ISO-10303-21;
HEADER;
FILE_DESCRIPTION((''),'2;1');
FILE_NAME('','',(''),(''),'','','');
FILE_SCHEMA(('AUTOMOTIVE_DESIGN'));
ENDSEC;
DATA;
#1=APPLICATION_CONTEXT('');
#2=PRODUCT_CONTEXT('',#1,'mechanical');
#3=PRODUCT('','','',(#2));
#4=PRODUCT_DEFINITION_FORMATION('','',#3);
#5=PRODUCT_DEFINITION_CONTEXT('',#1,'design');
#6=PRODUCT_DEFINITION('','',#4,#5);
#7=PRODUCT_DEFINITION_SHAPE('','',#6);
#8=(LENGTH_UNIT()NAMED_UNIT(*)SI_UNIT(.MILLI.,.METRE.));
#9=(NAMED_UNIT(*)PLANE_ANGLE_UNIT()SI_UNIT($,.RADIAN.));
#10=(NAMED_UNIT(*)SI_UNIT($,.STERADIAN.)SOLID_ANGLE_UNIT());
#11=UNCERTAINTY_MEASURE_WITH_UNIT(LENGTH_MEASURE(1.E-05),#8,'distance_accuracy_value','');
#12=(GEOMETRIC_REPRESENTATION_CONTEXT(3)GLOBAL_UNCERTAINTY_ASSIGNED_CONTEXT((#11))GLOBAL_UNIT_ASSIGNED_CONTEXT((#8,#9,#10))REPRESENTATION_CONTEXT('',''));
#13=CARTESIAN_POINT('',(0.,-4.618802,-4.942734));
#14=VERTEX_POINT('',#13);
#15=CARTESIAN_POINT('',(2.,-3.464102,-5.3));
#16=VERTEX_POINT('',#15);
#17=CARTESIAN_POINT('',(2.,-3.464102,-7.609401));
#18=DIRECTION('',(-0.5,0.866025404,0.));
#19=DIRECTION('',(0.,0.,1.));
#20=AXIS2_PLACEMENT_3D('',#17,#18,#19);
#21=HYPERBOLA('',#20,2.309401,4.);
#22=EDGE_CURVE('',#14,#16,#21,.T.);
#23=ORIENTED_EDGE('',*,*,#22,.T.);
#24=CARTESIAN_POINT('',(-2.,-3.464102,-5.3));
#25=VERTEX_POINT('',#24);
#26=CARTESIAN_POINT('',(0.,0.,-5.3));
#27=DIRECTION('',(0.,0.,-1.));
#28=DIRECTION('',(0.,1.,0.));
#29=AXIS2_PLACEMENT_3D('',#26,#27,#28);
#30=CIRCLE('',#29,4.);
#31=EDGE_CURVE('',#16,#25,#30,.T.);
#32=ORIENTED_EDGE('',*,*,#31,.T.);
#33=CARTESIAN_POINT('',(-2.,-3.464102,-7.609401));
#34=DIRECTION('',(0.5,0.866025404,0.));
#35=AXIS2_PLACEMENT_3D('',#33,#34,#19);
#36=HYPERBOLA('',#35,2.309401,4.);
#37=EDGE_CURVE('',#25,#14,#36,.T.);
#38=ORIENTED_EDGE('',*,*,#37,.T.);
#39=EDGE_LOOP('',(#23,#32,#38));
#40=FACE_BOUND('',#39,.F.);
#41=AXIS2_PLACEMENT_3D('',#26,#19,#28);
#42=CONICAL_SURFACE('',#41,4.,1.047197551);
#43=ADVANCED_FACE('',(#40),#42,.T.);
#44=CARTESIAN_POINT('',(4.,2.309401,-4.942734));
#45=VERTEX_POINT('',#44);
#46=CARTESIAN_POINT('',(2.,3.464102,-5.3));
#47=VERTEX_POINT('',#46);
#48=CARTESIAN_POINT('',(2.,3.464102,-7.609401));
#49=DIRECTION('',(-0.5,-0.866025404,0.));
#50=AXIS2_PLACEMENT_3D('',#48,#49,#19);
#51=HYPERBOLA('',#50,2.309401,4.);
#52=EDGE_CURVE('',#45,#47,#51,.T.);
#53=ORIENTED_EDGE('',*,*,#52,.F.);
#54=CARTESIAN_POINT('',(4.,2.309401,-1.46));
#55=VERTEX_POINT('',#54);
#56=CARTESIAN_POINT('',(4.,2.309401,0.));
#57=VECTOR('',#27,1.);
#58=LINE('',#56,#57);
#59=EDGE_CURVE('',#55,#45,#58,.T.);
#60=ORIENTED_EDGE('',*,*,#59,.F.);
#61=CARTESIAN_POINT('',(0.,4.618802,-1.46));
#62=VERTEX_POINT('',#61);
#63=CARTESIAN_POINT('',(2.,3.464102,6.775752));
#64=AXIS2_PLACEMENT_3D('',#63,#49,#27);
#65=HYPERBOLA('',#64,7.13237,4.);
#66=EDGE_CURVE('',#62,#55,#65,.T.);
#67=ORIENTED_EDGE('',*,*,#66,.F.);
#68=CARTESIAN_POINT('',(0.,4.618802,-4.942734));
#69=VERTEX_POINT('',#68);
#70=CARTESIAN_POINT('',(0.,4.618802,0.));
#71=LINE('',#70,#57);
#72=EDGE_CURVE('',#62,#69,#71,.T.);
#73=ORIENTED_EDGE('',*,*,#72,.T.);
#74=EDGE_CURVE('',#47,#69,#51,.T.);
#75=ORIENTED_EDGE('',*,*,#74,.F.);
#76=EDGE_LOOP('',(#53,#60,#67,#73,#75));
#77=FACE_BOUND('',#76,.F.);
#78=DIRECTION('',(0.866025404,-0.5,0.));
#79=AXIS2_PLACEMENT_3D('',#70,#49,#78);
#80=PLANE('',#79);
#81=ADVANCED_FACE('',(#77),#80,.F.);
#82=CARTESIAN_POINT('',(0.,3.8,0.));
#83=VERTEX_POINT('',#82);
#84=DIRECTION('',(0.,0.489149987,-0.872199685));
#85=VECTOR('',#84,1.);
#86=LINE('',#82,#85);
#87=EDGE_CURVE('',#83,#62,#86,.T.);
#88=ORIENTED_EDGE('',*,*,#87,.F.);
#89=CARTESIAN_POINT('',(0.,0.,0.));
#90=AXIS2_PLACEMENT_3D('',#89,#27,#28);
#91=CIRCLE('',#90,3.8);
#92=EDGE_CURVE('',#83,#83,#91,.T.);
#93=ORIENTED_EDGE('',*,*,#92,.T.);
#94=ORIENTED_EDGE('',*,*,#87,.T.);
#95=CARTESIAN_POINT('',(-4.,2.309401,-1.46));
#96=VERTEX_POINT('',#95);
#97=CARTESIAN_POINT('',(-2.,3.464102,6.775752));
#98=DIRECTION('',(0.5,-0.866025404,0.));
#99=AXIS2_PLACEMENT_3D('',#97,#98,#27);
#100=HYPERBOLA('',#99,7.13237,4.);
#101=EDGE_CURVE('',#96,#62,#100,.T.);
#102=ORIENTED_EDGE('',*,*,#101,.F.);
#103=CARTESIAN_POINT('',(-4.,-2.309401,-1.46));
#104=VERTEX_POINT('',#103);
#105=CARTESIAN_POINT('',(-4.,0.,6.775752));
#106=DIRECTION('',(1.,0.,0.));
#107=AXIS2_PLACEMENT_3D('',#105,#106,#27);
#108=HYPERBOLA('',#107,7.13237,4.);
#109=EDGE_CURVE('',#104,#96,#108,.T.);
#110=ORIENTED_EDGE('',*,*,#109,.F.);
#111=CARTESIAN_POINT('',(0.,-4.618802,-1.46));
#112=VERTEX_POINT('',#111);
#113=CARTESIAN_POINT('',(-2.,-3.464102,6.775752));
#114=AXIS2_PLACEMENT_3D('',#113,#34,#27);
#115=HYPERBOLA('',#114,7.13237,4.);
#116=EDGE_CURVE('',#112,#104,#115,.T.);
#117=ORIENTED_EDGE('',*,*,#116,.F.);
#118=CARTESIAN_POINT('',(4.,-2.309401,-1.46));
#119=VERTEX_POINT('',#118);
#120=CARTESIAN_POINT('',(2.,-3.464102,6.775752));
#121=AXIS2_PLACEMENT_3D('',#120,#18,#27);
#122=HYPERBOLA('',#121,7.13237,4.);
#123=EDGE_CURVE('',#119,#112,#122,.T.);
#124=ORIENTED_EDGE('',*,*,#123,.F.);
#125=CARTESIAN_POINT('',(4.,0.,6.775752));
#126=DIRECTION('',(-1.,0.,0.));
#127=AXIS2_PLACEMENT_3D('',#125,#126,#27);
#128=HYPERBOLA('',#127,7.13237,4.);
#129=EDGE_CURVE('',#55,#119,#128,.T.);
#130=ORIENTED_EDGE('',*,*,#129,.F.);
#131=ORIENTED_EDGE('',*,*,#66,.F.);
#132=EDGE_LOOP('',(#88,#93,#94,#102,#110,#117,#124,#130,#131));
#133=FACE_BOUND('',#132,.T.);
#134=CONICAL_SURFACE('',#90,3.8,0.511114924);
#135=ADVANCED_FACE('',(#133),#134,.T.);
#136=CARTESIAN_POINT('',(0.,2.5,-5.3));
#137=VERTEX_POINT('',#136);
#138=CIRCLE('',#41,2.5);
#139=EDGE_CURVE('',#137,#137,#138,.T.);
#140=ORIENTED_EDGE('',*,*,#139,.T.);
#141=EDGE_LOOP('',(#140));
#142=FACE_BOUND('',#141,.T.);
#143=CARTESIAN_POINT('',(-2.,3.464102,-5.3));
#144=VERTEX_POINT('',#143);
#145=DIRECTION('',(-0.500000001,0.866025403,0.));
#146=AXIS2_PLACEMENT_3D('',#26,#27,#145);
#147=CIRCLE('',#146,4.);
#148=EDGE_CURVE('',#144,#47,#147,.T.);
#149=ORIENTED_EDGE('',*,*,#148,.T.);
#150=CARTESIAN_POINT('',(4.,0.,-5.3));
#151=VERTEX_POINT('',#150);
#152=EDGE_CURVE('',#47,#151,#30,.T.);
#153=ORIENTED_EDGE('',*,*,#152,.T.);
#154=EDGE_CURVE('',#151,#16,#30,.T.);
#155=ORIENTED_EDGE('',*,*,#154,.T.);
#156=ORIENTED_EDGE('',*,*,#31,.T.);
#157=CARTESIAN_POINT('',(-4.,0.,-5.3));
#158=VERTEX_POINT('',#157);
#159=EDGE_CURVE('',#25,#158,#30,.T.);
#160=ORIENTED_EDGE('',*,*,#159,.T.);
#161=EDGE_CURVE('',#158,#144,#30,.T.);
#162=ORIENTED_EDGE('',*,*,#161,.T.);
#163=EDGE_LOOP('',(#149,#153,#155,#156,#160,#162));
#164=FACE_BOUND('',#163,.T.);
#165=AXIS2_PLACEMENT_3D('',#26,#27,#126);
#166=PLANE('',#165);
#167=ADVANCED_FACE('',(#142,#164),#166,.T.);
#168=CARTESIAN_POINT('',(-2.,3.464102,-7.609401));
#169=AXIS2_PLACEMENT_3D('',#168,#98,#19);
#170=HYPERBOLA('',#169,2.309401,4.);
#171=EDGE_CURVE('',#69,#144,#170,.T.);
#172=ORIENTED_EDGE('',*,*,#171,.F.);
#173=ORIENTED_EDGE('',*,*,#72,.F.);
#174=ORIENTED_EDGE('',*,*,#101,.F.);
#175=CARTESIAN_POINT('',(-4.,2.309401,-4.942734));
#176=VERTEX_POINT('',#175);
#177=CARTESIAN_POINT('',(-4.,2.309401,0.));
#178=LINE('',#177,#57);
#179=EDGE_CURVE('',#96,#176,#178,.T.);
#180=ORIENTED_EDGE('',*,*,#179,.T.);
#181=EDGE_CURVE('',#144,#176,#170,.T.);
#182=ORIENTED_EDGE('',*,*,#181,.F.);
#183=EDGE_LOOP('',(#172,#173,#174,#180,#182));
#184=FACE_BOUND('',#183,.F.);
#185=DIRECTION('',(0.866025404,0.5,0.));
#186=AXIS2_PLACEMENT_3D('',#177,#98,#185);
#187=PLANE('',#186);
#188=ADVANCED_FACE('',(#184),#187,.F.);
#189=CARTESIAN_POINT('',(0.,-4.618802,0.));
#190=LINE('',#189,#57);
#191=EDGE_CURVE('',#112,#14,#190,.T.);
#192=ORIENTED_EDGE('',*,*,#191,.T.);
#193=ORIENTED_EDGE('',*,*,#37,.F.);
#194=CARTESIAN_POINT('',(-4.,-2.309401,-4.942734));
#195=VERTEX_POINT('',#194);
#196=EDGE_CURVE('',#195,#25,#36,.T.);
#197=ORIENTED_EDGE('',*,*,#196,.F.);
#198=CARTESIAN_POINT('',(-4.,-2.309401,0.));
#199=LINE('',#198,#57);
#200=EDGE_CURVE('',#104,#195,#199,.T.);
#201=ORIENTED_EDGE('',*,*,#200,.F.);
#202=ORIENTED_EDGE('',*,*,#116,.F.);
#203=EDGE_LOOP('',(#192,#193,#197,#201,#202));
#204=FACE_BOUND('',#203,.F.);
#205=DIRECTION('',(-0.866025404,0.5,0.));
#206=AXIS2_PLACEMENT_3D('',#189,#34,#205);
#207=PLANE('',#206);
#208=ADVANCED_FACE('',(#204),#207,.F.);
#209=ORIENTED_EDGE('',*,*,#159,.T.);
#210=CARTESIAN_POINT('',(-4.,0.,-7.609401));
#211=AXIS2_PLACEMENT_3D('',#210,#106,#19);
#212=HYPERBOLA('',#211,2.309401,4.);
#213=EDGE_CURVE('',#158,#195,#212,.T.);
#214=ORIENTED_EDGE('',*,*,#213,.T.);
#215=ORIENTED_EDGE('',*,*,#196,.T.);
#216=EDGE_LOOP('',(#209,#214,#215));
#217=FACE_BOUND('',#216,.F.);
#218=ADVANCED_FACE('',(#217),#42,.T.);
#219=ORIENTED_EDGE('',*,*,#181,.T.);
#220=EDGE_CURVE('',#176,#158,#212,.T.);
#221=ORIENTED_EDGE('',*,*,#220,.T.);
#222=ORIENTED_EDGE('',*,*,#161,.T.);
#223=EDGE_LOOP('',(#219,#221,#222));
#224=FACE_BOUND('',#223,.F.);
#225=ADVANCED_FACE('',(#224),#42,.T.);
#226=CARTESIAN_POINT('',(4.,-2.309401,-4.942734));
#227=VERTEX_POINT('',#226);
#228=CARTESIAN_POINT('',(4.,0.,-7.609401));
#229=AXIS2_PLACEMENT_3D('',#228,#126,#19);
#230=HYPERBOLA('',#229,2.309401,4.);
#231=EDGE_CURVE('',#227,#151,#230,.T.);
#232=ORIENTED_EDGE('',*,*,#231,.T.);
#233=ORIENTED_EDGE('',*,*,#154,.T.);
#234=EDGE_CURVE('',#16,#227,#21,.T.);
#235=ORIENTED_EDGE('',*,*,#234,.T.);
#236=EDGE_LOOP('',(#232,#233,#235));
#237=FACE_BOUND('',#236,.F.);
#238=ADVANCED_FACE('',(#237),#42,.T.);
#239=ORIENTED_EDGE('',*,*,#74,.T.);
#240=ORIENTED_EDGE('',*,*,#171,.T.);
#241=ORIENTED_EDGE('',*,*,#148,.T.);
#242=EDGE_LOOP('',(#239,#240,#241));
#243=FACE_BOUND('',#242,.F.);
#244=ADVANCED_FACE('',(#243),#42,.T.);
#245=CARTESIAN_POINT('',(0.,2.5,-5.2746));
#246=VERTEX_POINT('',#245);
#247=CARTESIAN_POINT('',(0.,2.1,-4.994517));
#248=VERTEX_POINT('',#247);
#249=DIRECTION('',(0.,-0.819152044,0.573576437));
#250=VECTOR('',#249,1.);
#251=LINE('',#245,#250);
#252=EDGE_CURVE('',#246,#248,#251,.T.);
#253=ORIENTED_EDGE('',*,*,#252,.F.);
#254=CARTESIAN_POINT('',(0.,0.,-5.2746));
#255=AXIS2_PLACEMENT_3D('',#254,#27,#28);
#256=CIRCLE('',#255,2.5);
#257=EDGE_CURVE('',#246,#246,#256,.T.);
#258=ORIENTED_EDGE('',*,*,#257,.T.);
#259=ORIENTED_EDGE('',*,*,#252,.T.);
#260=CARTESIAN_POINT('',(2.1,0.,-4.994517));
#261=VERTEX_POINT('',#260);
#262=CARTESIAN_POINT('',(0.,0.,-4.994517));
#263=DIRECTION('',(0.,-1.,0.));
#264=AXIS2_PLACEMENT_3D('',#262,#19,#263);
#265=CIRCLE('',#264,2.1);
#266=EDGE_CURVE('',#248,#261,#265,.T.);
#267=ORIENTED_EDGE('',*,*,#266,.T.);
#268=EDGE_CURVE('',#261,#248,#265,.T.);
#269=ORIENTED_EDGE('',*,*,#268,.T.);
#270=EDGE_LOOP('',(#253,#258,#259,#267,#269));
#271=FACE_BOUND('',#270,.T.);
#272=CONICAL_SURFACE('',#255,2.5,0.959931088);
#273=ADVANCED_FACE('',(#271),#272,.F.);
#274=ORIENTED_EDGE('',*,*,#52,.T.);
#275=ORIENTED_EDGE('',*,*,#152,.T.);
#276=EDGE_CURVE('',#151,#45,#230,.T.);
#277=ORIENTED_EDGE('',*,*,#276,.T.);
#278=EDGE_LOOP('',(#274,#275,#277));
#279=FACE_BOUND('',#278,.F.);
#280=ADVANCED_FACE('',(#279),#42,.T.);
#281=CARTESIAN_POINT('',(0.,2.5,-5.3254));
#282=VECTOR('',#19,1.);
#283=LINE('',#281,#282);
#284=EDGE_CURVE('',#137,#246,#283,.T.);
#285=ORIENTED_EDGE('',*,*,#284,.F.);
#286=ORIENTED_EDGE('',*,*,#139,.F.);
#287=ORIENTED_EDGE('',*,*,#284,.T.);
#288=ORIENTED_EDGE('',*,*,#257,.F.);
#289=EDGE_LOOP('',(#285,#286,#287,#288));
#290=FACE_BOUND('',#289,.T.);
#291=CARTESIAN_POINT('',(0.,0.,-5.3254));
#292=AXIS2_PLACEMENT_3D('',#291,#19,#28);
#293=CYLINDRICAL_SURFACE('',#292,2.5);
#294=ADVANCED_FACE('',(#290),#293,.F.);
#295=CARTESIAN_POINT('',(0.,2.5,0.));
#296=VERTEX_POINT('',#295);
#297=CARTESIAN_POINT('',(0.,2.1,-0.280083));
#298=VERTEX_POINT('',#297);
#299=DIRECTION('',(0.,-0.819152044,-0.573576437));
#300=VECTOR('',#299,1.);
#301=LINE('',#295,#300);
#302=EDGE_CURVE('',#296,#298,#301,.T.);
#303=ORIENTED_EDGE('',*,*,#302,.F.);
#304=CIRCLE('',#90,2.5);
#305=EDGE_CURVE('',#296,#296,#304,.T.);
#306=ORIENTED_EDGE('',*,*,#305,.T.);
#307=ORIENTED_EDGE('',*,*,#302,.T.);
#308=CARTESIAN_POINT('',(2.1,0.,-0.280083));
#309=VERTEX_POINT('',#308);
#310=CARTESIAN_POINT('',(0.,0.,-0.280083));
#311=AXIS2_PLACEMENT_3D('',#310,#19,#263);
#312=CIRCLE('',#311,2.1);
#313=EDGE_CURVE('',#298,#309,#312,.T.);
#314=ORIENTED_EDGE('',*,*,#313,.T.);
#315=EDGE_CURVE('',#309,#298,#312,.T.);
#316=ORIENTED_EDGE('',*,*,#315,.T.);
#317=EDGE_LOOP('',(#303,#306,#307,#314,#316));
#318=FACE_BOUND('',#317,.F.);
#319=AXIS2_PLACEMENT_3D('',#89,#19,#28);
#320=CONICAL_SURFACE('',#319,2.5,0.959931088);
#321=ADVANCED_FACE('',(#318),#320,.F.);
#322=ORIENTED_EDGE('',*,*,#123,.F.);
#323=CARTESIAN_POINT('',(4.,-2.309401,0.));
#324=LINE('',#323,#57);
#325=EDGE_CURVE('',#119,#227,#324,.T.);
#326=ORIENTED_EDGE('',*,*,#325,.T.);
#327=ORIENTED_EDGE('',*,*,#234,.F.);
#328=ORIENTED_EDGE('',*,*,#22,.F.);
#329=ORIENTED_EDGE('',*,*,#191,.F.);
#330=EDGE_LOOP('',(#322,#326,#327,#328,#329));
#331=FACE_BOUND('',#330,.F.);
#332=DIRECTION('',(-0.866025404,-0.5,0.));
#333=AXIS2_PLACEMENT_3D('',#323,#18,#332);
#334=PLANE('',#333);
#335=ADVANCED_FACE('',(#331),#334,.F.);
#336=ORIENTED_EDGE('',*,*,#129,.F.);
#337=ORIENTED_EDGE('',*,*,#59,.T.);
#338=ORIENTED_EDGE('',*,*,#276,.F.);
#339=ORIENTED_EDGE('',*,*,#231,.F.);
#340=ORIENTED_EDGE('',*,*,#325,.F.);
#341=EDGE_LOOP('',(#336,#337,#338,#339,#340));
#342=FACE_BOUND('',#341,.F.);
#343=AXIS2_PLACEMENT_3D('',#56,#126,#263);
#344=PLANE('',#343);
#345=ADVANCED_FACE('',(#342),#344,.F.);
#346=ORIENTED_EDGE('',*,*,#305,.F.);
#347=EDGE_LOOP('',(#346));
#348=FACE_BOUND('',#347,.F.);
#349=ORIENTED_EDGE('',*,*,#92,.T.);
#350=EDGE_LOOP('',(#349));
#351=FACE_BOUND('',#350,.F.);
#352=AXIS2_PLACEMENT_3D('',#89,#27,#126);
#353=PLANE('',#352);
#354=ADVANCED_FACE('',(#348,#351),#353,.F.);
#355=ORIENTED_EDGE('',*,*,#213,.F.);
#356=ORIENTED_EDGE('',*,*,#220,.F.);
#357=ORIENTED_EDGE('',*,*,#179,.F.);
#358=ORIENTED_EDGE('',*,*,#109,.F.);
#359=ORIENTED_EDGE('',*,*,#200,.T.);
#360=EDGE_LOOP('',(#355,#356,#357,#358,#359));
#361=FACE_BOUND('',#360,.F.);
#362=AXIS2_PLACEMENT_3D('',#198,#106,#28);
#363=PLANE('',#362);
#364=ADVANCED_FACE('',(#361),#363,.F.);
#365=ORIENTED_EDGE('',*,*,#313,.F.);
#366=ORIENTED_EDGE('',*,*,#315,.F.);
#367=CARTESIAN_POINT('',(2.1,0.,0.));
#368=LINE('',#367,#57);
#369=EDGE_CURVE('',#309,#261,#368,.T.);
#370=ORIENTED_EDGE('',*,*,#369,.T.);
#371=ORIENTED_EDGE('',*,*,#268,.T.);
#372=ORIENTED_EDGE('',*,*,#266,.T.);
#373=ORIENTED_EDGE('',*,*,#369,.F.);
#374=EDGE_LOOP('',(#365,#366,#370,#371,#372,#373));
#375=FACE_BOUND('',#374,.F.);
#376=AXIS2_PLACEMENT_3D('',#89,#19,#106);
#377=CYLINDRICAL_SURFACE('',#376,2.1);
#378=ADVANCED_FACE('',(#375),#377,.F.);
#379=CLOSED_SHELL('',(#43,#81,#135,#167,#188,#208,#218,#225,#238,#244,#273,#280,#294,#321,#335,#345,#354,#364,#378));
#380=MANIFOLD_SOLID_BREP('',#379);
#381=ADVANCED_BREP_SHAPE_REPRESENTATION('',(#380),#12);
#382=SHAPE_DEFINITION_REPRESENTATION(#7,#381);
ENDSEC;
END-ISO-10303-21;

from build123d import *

# Parameters (mm, degrees)
BASENUTSKE_R  = 2.1
BASENUT_DEPTH = 5.3


with BuildPart() as part:
    # BaseNutSke → BaseNut (new body)
    with BuildSketch(Plane.XY):
        Polygon((4, 2.309401077), (4, -2.309401077), (0, -4.618802154), (-4, -2.309401077), (-4, 2.309401077), (0, 4.618802154), align=None)
        Circle(BASENUTSKE_R, mode=Mode.SUBTRACT)
    extrude(amount=-BASENUT_DEPTH)

    # Sketch3 → Double-Chamfer (revolve, cut)
    with BuildSketch(Plane(origin=(0, 0, 0), x_dir=(0, 0, -1), z_dir=(1, 0, 0))):
        Polygon((5.3, 4), (4.94273441, 4.618802154), (4.94273441, 14.618802154), (15.3, 14.618802154), (15.3, 4), align=None)
        Polygon((1.46, 14.618802154), (-10, 14.618802154), (-10, 3.8), (0, 3.8), (1.46, 4.618802154), align=None)
    revolve(axis=Axis((0, 0, 0), (0, 0, -1)), mode=Mode.SUBTRACT)

    # Sketch5 → EndChamfer (revolve, cut)
    with BuildSketch(Plane(origin=(0, 0, 0), x_dir=(0, 0, -1), z_dir=(1, 0, 0))):
        Polygon((5.2746, 2.5), (4.966508683, 2.06), (5.3254, 2.06), (5.3254, 2.5), align=None)
        Polygon((-0.0508, 2.5), (0, 2.5), (0.308091317, 2.06), (-0.0508, 2.06), align=None)
    revolve(axis=Axis((0, 0, -25.037505729), (0, 0, -1)), mode=Mode.SUBTRACT)


solid = part.part
